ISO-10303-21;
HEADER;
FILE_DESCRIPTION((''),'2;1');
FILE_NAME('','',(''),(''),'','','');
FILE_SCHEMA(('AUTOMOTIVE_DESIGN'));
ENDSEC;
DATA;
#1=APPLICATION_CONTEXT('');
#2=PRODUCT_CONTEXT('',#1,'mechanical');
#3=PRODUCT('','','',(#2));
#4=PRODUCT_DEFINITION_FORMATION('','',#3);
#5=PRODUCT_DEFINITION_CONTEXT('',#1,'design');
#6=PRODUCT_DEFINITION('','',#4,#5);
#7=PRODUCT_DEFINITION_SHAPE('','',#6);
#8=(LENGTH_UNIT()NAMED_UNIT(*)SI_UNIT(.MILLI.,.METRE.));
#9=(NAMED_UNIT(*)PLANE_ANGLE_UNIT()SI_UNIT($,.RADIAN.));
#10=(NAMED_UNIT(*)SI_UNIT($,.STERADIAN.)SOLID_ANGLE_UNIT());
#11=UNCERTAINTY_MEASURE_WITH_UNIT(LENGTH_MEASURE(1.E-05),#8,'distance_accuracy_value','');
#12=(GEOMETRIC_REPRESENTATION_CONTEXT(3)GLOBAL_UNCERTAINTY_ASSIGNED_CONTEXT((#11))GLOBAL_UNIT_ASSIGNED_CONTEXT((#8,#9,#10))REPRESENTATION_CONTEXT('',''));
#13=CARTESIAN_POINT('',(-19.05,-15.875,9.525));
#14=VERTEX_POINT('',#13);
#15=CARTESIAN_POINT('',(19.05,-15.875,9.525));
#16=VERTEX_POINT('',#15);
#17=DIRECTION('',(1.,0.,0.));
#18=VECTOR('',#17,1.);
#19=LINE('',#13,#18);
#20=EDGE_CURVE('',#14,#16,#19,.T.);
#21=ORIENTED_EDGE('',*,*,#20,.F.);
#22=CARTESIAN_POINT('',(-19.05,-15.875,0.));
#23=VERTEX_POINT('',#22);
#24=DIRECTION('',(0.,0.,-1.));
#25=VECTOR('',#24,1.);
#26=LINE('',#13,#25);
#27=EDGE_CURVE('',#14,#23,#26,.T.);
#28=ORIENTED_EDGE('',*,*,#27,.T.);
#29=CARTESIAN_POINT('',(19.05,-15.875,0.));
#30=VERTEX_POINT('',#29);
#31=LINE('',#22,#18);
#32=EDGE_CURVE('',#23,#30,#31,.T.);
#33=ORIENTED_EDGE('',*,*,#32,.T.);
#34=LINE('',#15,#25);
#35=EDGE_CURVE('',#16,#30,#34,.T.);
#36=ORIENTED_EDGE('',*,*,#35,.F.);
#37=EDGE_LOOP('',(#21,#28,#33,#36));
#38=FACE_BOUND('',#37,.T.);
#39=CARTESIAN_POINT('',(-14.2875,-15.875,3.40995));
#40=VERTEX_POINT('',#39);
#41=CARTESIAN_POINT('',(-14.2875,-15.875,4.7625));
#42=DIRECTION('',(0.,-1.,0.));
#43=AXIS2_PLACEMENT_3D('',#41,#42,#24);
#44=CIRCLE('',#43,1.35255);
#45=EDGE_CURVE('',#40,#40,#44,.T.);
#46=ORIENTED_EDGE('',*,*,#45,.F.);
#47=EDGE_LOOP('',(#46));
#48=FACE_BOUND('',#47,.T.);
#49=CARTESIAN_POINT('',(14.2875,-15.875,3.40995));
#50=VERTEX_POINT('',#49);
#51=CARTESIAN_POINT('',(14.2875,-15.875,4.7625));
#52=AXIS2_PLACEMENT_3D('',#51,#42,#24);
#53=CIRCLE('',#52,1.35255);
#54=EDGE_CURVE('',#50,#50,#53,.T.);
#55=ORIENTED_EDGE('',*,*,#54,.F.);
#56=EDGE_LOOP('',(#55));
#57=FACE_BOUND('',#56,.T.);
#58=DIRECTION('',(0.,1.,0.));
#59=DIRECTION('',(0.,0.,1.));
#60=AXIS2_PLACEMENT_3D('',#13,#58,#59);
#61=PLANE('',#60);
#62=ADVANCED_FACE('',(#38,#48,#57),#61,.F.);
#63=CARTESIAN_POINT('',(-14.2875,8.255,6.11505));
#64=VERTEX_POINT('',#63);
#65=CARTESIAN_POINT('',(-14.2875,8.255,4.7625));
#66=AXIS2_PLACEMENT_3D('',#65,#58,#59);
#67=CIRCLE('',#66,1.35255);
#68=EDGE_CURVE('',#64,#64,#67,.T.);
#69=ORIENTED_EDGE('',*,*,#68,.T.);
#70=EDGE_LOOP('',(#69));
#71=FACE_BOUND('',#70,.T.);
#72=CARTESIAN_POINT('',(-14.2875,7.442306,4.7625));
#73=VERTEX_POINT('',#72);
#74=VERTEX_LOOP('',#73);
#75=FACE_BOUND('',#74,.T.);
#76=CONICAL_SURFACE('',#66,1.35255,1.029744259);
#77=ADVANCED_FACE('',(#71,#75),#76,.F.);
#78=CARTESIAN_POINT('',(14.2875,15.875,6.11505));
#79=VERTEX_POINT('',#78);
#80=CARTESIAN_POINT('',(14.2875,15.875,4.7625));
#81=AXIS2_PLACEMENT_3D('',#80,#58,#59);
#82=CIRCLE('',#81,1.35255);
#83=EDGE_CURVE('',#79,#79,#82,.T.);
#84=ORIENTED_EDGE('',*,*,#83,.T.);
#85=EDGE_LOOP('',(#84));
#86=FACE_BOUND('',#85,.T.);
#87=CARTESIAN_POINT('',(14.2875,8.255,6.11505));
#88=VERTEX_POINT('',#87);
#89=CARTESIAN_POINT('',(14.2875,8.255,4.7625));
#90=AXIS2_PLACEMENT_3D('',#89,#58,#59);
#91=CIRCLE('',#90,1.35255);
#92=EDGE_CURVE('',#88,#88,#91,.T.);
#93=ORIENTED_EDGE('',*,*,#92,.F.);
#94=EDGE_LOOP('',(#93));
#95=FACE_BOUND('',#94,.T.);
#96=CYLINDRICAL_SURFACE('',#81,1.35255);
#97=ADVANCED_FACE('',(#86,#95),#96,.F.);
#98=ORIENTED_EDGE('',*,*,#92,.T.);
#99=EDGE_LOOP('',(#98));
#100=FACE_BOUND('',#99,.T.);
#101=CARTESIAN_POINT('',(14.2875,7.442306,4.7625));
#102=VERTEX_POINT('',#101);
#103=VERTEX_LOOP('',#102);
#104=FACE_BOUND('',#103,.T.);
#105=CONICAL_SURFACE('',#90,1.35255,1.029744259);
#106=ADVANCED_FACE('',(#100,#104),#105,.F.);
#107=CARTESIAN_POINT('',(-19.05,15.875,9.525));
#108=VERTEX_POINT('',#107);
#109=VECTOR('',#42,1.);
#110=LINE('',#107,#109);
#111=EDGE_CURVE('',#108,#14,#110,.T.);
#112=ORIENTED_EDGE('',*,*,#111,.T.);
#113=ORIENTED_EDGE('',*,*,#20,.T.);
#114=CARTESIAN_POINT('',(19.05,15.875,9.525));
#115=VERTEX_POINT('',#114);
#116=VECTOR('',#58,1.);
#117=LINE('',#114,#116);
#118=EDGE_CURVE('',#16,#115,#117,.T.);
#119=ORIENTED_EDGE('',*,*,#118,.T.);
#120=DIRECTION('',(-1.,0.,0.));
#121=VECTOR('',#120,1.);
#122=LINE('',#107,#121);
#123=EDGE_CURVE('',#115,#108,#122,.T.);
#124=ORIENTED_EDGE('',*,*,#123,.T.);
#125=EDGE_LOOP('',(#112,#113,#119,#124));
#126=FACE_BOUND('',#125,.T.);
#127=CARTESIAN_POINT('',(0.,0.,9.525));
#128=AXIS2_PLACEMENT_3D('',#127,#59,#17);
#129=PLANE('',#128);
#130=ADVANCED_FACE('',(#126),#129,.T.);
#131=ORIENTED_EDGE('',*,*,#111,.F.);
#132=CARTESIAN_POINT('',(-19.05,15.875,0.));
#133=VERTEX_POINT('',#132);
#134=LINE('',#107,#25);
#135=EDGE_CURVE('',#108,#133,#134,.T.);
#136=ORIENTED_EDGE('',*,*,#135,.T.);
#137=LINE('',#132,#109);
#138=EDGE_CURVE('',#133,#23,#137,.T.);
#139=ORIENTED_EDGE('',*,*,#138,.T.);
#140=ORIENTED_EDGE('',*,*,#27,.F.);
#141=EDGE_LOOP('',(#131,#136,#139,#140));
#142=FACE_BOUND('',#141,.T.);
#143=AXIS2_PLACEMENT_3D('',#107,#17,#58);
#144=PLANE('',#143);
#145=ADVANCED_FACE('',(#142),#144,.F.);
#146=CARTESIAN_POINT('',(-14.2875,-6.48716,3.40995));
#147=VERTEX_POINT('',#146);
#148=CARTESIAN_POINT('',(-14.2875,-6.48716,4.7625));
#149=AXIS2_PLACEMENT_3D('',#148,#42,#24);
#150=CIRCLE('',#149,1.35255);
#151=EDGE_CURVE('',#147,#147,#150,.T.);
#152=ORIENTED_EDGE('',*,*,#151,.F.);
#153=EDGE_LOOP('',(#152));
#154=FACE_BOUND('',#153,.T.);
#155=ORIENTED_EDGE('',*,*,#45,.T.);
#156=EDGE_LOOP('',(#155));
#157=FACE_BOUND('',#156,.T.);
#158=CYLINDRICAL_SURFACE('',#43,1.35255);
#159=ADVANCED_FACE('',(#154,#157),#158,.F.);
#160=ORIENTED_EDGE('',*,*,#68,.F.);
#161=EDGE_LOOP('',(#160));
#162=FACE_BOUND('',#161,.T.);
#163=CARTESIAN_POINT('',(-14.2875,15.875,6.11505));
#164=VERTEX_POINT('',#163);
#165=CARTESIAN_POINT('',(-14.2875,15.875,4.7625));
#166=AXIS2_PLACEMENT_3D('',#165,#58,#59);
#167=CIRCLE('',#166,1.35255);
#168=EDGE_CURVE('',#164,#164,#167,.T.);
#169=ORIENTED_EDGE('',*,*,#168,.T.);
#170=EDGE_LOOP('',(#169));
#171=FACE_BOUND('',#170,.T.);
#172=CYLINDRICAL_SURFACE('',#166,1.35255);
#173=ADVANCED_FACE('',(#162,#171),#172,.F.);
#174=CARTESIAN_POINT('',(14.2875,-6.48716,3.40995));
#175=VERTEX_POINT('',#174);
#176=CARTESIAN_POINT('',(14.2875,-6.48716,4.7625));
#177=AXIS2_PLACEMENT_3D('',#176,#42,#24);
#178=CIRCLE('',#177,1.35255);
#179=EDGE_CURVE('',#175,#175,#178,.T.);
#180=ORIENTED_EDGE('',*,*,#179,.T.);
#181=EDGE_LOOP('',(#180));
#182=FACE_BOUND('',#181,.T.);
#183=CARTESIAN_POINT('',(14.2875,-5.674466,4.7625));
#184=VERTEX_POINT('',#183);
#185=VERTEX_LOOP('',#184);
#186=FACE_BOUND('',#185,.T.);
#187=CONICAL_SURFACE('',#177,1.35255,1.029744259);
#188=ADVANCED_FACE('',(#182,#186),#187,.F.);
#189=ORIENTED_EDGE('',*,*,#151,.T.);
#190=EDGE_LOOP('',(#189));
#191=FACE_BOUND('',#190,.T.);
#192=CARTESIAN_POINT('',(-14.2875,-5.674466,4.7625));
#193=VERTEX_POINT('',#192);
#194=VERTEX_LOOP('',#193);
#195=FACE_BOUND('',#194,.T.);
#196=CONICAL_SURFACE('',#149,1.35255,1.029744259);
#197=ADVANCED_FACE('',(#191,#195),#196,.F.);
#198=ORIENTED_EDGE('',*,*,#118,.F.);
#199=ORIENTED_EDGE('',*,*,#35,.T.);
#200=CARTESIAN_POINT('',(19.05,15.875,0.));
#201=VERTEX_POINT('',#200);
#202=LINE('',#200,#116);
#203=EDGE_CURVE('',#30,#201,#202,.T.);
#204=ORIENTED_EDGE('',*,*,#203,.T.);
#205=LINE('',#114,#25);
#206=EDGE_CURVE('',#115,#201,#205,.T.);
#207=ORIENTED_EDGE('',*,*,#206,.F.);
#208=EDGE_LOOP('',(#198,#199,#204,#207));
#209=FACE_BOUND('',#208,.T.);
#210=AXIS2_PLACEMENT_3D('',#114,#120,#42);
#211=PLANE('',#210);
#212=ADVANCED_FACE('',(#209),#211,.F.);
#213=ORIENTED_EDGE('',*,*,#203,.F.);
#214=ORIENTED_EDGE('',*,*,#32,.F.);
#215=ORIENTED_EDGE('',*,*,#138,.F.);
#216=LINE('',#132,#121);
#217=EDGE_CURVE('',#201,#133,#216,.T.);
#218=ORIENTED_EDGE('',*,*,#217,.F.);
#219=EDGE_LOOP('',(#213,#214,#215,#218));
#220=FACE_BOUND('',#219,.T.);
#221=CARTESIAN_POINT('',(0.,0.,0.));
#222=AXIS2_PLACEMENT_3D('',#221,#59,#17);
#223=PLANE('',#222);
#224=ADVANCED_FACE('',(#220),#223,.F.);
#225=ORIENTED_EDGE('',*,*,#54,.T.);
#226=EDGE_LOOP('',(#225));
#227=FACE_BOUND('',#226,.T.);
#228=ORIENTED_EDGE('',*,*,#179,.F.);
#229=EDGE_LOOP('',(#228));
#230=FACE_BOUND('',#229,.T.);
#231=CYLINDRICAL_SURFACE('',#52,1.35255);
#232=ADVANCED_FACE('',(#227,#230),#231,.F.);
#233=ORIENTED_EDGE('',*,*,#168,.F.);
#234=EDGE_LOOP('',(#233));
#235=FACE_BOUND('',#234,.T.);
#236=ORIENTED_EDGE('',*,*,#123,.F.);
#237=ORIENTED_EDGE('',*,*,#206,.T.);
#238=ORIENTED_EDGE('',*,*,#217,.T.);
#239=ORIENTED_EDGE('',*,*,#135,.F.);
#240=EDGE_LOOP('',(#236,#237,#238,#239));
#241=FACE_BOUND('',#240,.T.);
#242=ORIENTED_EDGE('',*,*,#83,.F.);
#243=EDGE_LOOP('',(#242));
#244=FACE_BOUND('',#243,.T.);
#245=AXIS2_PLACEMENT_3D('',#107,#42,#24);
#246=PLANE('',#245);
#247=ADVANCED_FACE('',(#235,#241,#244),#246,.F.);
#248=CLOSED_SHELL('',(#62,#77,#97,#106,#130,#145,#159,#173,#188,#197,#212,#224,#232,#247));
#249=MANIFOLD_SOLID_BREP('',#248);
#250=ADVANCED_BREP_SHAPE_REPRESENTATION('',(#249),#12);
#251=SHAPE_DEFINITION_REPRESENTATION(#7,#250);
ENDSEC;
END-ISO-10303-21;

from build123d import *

# Parameters (mm, degrees)
SKETCH1_W                 = 38.1
SKETCH1_H                 = 31.75
BOSS_EXTRUDE1_DEPTH       = 9.525
F_6_32_TAPPED_HOLE1_D     = 2.7051
F_6_32_TAPPED_HOLE1_DEPTH = 7.62
F_6_32_TAPPED_HOLE1_TIP   = 0.81269403
F_6_32_TAPPED_HOLE2_D     = 2.7051
F_6_32_TAPPED_HOLE2_DEPTH = 9.38784
F_6_32_TAPPED_HOLE2_TIP   = 0.81269403


with BuildPart() as part:
    # Sketch1 → Boss-Extrude1 (new body)
    with BuildSketch(Plane.XY):
        Rectangle(SKETCH1_W, SKETCH1_H)
    extrude(amount=BOSS_EXTRUDE1_DEPTH)

    # #6-32 Tapped Hole1
    with Locations(Plane(origin=(0, 15.875, 0), x_dir=(1, 0, 0), z_dir=(0, 1, 0))):
        with Locations((-14.2875, -4.7625), (14.2875, -4.7625)):
            Hole(F_6_32_TAPPED_HOLE1_D / 2, depth=F_6_32_TAPPED_HOLE1_DEPTH)
            with Locations((0, 0, -(F_6_32_TAPPED_HOLE1_DEPTH + F_6_32_TAPPED_HOLE1_TIP / 2))):  # 118° drill point
                Cone(0, F_6_32_TAPPED_HOLE1_D / 2, F_6_32_TAPPED_HOLE1_TIP, mode=Mode.SUBTRACT)

    # #6-32 Tapped Hole2
    with Locations(Plane(origin=(0, -15.875, 0), x_dir=(-1, 0, 0), z_dir=(0, -1, 0))):
        with Locations((-14.2875, -4.7625), (14.2875, -4.7625)):
            Hole(F_6_32_TAPPED_HOLE2_D / 2, depth=F_6_32_TAPPED_HOLE2_DEPTH)
            with Locations((0, 0, -(F_6_32_TAPPED_HOLE2_DEPTH + F_6_32_TAPPED_HOLE2_TIP / 2))):  # 118° drill point
                Cone(0, F_6_32_TAPPED_HOLE2_D / 2, F_6_32_TAPPED_HOLE2_TIP, mode=Mode.SUBTRACT)


solid = part.part
